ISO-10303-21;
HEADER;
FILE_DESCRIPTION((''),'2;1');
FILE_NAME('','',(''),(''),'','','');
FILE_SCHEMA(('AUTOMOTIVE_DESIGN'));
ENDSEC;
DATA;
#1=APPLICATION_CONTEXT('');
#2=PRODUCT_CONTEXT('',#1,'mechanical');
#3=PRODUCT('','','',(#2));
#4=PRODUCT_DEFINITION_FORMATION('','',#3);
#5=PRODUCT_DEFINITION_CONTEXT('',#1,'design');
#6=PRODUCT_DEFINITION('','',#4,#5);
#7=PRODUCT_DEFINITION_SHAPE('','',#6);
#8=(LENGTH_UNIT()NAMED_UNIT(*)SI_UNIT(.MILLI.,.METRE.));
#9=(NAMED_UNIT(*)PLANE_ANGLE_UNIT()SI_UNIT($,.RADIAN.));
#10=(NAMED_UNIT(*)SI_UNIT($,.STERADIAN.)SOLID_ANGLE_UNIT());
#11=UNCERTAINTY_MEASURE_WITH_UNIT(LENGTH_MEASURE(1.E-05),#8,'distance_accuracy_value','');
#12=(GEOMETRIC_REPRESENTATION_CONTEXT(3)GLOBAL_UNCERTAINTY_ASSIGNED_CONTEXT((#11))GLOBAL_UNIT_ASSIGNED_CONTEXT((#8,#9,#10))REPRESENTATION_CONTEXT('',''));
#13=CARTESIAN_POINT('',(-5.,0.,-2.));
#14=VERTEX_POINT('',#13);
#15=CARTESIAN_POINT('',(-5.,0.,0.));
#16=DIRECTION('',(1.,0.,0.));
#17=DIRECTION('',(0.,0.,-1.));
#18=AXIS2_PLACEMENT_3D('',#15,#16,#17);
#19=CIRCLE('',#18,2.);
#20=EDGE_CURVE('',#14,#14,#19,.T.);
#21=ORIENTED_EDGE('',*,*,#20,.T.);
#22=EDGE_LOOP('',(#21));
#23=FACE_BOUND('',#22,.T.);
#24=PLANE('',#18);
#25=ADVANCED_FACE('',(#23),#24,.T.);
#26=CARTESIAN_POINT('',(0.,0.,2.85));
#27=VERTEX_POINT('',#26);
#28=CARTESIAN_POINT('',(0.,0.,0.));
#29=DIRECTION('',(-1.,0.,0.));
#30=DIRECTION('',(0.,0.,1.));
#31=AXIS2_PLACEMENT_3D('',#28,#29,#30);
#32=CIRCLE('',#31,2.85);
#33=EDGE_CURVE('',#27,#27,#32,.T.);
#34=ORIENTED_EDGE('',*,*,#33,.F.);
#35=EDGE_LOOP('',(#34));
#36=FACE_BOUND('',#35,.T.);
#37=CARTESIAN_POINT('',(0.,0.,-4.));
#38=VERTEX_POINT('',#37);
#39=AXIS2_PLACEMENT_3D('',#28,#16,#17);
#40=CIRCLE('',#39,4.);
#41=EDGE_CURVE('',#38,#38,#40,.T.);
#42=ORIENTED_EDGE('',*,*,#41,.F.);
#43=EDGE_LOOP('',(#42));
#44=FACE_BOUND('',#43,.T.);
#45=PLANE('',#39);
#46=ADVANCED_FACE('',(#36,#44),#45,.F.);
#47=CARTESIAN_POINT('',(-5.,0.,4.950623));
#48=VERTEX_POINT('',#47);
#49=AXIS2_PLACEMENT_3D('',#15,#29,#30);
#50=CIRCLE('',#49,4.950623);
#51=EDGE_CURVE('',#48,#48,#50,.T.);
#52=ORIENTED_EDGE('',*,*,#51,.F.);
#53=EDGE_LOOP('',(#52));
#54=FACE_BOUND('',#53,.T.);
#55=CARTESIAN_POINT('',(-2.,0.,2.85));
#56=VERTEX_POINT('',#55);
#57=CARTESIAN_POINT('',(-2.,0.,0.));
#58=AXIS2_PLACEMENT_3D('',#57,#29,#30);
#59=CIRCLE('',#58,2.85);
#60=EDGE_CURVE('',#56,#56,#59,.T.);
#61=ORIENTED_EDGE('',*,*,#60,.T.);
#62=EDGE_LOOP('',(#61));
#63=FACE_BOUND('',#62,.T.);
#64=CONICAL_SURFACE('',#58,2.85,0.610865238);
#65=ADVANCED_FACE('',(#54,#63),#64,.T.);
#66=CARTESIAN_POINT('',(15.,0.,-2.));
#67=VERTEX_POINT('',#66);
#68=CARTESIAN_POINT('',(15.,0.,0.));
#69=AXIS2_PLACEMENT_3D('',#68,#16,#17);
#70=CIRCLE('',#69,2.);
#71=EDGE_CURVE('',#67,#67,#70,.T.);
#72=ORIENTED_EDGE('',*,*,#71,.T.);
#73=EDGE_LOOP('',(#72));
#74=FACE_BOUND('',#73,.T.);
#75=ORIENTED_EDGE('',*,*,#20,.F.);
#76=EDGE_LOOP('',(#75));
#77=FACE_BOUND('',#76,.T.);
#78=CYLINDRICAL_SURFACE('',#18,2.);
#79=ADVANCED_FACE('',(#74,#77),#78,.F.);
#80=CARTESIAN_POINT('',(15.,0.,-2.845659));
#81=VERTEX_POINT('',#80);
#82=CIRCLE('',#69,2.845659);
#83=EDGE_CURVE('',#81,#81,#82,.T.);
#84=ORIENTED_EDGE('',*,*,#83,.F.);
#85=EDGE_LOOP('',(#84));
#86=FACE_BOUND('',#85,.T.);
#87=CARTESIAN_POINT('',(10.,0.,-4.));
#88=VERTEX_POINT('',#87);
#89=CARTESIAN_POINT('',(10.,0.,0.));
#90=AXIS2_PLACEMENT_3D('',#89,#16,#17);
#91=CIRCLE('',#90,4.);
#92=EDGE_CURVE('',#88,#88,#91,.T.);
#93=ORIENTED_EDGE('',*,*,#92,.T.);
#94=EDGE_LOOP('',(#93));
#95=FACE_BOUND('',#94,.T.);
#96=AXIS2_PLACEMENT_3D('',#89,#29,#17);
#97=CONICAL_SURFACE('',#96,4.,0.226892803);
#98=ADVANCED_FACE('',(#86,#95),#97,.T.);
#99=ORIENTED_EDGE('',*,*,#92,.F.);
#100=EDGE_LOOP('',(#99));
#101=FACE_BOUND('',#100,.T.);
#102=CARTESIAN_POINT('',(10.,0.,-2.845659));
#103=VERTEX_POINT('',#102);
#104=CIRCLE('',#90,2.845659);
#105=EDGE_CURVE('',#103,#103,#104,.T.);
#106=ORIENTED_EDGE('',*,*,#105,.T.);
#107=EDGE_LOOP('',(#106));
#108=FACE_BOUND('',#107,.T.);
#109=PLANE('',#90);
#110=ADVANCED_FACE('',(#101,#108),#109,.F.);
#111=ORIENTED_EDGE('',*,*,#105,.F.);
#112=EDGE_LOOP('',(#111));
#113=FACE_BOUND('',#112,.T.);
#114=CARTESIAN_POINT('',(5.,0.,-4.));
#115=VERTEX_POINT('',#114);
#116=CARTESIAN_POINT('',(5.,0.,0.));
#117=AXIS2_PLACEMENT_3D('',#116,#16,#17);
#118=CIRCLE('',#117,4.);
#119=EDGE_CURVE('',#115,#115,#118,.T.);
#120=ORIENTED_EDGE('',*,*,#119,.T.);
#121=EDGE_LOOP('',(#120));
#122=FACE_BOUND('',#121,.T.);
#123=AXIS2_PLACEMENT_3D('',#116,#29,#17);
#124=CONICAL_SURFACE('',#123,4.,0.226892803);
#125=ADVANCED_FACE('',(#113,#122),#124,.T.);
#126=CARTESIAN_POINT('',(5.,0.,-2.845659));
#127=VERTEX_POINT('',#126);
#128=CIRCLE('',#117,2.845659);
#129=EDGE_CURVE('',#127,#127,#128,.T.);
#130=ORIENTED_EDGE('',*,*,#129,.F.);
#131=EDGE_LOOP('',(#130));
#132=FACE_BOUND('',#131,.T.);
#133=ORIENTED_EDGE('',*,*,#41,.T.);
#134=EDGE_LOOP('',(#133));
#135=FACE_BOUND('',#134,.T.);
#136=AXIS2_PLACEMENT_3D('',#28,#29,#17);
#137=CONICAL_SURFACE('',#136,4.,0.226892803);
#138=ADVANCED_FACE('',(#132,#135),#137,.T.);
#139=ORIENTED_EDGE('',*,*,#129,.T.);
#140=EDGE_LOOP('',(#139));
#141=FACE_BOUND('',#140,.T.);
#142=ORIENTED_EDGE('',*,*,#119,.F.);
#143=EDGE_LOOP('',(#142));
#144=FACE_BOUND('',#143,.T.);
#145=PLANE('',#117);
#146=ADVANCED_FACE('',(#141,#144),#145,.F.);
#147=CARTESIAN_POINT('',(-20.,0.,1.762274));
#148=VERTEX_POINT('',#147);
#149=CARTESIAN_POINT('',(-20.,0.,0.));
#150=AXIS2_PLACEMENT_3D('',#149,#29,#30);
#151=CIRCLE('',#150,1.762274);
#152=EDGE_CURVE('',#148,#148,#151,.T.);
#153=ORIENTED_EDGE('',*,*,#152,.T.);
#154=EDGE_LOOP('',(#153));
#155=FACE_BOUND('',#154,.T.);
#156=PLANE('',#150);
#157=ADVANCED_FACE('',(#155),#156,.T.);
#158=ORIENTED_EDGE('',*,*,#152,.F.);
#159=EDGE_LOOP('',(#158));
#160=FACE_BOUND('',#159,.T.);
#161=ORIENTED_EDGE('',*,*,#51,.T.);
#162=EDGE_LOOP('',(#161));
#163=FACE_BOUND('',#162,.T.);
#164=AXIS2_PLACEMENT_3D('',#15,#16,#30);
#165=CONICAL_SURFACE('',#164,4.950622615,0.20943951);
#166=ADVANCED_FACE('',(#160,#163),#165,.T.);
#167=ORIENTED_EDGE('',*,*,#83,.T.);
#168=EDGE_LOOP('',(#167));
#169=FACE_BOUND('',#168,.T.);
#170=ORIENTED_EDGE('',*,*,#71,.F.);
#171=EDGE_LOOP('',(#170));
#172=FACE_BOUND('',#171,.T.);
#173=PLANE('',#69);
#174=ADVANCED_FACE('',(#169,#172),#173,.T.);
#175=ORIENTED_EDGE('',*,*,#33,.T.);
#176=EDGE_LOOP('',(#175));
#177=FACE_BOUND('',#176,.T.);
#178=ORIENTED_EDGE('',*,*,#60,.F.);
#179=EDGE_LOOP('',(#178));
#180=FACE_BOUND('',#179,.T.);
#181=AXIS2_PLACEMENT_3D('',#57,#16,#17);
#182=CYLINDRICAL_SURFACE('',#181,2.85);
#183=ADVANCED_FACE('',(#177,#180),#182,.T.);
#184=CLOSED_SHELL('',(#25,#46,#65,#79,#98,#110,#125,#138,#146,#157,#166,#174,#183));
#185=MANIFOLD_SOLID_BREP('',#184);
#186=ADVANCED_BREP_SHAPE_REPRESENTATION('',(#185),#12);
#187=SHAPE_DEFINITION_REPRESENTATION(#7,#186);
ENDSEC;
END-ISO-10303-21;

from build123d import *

# Parameters (mm, degrees)
SKETCH1_R           = 4
BOSS_EXTRUDE1_DEPTH = 5
BOSS_EXTRUDE1_TAPER = 13
SKETCH2_R           = 4
BOSS_EXTRUDE2_DEPTH = 5
BOSS_EXTRUDE2_TAPER = 13
SKETCH3_R           = 4
BOSS_EXTRUDE3_DEPTH = 5
BOSS_EXTRUDE3_TAPER = 13
SKETCH4_R           = 2.85
BOSS_EXTRUDE4_DEPTH = 2
SKETCH5_R           = 2.85
BOSS_EXTRUDE5_DEPTH = 3
BOSS_EXTRUDE5_DRAFT = -35
SKETCH6_R           = 4.950622615
BOSS_EXTRUDE6_DEPTH = 15
BOSS_EXTRUDE6_TAPER = 12
SKETCH9_R           = 2
CUT_EXTRUDE1_DEPTH  = 20


with BuildPart() as part:
    # Sketch1 → Boss-Extrude1 (new body)
    with BuildSketch(Plane(origin=(0, 0, 0), x_dir=(0, 0, -1), z_dir=(1, 0, 0))):
        Circle(SKETCH1_R)
    extrude(amount=BOSS_EXTRUDE1_DEPTH, taper=BOSS_EXTRUDE1_TAPER)

    # Sketch2 → Boss-Extrude2 (add)
    with BuildSketch(Plane(origin=(5, 0, 0), x_dir=(0, 0, -1), z_dir=(1, 0, 0))):
        Circle(SKETCH2_R)
    extrude(amount=BOSS_EXTRUDE2_DEPTH, taper=BOSS_EXTRUDE2_TAPER)

    # Sketch3 → Boss-Extrude3 (add)
    with BuildSketch(Plane(origin=(10, 0, 0), x_dir=(0, 0, -1), z_dir=(1, 0, 0))):
        Circle(SKETCH3_R)
    extrude(amount=BOSS_EXTRUDE3_DEPTH, taper=BOSS_EXTRUDE3_TAPER)

    # Sketch4 → Boss-Extrude4 (add)
    with BuildSketch(Plane.ZY):
        Circle(SKETCH4_R)
    extrude(amount=BOSS_EXTRUDE4_DEPTH)


with BuildPart() as boss_extrude5_tool:
    # Sketch5 → Boss-Extrude5 (with draft: the straight prism first)
    with BuildSketch(Plane.ZY.offset(2)):
        Circle(SKETCH5_R)
    extrude(amount=BOSS_EXTRUDE5_DEPTH)
    # Boss-Extrude5: the draft: its side faces are tilted about the plane it starts from
    boss_extrude5_sides = [boss_extrude5_tool.faces().sort_by_distance(p)[0] for p in [
        (-3.5, 0, -2.85),
    ]]
    draft(boss_extrude5_sides, Plane.ZY.offset(2), BOSS_EXTRUDE5_DRAFT)


with BuildPart() as part_1:
    add(part.part)

    # Boss-Extrude5: add boss_extrude5_tool
    add(boss_extrude5_tool.part)

    # Sketch6 → Boss-Extrude6 (add)
    with BuildSketch(Plane.ZY.offset(5)):
        Circle(SKETCH6_R)
    extrude(amount=BOSS_EXTRUDE6_DEPTH, taper=BOSS_EXTRUDE6_TAPER)

    # Sketch9 → Cut-Extrude1 (cut)
    with BuildSketch(Plane(origin=(15, 0, 0), x_dir=(0, 0, -1), z_dir=(1, 0, 0))):
        Circle(SKETCH9_R)
    extrude(amount=-CUT_EXTRUDE1_DEPTH, mode=Mode.SUBTRACT)


solid = part_1.part
